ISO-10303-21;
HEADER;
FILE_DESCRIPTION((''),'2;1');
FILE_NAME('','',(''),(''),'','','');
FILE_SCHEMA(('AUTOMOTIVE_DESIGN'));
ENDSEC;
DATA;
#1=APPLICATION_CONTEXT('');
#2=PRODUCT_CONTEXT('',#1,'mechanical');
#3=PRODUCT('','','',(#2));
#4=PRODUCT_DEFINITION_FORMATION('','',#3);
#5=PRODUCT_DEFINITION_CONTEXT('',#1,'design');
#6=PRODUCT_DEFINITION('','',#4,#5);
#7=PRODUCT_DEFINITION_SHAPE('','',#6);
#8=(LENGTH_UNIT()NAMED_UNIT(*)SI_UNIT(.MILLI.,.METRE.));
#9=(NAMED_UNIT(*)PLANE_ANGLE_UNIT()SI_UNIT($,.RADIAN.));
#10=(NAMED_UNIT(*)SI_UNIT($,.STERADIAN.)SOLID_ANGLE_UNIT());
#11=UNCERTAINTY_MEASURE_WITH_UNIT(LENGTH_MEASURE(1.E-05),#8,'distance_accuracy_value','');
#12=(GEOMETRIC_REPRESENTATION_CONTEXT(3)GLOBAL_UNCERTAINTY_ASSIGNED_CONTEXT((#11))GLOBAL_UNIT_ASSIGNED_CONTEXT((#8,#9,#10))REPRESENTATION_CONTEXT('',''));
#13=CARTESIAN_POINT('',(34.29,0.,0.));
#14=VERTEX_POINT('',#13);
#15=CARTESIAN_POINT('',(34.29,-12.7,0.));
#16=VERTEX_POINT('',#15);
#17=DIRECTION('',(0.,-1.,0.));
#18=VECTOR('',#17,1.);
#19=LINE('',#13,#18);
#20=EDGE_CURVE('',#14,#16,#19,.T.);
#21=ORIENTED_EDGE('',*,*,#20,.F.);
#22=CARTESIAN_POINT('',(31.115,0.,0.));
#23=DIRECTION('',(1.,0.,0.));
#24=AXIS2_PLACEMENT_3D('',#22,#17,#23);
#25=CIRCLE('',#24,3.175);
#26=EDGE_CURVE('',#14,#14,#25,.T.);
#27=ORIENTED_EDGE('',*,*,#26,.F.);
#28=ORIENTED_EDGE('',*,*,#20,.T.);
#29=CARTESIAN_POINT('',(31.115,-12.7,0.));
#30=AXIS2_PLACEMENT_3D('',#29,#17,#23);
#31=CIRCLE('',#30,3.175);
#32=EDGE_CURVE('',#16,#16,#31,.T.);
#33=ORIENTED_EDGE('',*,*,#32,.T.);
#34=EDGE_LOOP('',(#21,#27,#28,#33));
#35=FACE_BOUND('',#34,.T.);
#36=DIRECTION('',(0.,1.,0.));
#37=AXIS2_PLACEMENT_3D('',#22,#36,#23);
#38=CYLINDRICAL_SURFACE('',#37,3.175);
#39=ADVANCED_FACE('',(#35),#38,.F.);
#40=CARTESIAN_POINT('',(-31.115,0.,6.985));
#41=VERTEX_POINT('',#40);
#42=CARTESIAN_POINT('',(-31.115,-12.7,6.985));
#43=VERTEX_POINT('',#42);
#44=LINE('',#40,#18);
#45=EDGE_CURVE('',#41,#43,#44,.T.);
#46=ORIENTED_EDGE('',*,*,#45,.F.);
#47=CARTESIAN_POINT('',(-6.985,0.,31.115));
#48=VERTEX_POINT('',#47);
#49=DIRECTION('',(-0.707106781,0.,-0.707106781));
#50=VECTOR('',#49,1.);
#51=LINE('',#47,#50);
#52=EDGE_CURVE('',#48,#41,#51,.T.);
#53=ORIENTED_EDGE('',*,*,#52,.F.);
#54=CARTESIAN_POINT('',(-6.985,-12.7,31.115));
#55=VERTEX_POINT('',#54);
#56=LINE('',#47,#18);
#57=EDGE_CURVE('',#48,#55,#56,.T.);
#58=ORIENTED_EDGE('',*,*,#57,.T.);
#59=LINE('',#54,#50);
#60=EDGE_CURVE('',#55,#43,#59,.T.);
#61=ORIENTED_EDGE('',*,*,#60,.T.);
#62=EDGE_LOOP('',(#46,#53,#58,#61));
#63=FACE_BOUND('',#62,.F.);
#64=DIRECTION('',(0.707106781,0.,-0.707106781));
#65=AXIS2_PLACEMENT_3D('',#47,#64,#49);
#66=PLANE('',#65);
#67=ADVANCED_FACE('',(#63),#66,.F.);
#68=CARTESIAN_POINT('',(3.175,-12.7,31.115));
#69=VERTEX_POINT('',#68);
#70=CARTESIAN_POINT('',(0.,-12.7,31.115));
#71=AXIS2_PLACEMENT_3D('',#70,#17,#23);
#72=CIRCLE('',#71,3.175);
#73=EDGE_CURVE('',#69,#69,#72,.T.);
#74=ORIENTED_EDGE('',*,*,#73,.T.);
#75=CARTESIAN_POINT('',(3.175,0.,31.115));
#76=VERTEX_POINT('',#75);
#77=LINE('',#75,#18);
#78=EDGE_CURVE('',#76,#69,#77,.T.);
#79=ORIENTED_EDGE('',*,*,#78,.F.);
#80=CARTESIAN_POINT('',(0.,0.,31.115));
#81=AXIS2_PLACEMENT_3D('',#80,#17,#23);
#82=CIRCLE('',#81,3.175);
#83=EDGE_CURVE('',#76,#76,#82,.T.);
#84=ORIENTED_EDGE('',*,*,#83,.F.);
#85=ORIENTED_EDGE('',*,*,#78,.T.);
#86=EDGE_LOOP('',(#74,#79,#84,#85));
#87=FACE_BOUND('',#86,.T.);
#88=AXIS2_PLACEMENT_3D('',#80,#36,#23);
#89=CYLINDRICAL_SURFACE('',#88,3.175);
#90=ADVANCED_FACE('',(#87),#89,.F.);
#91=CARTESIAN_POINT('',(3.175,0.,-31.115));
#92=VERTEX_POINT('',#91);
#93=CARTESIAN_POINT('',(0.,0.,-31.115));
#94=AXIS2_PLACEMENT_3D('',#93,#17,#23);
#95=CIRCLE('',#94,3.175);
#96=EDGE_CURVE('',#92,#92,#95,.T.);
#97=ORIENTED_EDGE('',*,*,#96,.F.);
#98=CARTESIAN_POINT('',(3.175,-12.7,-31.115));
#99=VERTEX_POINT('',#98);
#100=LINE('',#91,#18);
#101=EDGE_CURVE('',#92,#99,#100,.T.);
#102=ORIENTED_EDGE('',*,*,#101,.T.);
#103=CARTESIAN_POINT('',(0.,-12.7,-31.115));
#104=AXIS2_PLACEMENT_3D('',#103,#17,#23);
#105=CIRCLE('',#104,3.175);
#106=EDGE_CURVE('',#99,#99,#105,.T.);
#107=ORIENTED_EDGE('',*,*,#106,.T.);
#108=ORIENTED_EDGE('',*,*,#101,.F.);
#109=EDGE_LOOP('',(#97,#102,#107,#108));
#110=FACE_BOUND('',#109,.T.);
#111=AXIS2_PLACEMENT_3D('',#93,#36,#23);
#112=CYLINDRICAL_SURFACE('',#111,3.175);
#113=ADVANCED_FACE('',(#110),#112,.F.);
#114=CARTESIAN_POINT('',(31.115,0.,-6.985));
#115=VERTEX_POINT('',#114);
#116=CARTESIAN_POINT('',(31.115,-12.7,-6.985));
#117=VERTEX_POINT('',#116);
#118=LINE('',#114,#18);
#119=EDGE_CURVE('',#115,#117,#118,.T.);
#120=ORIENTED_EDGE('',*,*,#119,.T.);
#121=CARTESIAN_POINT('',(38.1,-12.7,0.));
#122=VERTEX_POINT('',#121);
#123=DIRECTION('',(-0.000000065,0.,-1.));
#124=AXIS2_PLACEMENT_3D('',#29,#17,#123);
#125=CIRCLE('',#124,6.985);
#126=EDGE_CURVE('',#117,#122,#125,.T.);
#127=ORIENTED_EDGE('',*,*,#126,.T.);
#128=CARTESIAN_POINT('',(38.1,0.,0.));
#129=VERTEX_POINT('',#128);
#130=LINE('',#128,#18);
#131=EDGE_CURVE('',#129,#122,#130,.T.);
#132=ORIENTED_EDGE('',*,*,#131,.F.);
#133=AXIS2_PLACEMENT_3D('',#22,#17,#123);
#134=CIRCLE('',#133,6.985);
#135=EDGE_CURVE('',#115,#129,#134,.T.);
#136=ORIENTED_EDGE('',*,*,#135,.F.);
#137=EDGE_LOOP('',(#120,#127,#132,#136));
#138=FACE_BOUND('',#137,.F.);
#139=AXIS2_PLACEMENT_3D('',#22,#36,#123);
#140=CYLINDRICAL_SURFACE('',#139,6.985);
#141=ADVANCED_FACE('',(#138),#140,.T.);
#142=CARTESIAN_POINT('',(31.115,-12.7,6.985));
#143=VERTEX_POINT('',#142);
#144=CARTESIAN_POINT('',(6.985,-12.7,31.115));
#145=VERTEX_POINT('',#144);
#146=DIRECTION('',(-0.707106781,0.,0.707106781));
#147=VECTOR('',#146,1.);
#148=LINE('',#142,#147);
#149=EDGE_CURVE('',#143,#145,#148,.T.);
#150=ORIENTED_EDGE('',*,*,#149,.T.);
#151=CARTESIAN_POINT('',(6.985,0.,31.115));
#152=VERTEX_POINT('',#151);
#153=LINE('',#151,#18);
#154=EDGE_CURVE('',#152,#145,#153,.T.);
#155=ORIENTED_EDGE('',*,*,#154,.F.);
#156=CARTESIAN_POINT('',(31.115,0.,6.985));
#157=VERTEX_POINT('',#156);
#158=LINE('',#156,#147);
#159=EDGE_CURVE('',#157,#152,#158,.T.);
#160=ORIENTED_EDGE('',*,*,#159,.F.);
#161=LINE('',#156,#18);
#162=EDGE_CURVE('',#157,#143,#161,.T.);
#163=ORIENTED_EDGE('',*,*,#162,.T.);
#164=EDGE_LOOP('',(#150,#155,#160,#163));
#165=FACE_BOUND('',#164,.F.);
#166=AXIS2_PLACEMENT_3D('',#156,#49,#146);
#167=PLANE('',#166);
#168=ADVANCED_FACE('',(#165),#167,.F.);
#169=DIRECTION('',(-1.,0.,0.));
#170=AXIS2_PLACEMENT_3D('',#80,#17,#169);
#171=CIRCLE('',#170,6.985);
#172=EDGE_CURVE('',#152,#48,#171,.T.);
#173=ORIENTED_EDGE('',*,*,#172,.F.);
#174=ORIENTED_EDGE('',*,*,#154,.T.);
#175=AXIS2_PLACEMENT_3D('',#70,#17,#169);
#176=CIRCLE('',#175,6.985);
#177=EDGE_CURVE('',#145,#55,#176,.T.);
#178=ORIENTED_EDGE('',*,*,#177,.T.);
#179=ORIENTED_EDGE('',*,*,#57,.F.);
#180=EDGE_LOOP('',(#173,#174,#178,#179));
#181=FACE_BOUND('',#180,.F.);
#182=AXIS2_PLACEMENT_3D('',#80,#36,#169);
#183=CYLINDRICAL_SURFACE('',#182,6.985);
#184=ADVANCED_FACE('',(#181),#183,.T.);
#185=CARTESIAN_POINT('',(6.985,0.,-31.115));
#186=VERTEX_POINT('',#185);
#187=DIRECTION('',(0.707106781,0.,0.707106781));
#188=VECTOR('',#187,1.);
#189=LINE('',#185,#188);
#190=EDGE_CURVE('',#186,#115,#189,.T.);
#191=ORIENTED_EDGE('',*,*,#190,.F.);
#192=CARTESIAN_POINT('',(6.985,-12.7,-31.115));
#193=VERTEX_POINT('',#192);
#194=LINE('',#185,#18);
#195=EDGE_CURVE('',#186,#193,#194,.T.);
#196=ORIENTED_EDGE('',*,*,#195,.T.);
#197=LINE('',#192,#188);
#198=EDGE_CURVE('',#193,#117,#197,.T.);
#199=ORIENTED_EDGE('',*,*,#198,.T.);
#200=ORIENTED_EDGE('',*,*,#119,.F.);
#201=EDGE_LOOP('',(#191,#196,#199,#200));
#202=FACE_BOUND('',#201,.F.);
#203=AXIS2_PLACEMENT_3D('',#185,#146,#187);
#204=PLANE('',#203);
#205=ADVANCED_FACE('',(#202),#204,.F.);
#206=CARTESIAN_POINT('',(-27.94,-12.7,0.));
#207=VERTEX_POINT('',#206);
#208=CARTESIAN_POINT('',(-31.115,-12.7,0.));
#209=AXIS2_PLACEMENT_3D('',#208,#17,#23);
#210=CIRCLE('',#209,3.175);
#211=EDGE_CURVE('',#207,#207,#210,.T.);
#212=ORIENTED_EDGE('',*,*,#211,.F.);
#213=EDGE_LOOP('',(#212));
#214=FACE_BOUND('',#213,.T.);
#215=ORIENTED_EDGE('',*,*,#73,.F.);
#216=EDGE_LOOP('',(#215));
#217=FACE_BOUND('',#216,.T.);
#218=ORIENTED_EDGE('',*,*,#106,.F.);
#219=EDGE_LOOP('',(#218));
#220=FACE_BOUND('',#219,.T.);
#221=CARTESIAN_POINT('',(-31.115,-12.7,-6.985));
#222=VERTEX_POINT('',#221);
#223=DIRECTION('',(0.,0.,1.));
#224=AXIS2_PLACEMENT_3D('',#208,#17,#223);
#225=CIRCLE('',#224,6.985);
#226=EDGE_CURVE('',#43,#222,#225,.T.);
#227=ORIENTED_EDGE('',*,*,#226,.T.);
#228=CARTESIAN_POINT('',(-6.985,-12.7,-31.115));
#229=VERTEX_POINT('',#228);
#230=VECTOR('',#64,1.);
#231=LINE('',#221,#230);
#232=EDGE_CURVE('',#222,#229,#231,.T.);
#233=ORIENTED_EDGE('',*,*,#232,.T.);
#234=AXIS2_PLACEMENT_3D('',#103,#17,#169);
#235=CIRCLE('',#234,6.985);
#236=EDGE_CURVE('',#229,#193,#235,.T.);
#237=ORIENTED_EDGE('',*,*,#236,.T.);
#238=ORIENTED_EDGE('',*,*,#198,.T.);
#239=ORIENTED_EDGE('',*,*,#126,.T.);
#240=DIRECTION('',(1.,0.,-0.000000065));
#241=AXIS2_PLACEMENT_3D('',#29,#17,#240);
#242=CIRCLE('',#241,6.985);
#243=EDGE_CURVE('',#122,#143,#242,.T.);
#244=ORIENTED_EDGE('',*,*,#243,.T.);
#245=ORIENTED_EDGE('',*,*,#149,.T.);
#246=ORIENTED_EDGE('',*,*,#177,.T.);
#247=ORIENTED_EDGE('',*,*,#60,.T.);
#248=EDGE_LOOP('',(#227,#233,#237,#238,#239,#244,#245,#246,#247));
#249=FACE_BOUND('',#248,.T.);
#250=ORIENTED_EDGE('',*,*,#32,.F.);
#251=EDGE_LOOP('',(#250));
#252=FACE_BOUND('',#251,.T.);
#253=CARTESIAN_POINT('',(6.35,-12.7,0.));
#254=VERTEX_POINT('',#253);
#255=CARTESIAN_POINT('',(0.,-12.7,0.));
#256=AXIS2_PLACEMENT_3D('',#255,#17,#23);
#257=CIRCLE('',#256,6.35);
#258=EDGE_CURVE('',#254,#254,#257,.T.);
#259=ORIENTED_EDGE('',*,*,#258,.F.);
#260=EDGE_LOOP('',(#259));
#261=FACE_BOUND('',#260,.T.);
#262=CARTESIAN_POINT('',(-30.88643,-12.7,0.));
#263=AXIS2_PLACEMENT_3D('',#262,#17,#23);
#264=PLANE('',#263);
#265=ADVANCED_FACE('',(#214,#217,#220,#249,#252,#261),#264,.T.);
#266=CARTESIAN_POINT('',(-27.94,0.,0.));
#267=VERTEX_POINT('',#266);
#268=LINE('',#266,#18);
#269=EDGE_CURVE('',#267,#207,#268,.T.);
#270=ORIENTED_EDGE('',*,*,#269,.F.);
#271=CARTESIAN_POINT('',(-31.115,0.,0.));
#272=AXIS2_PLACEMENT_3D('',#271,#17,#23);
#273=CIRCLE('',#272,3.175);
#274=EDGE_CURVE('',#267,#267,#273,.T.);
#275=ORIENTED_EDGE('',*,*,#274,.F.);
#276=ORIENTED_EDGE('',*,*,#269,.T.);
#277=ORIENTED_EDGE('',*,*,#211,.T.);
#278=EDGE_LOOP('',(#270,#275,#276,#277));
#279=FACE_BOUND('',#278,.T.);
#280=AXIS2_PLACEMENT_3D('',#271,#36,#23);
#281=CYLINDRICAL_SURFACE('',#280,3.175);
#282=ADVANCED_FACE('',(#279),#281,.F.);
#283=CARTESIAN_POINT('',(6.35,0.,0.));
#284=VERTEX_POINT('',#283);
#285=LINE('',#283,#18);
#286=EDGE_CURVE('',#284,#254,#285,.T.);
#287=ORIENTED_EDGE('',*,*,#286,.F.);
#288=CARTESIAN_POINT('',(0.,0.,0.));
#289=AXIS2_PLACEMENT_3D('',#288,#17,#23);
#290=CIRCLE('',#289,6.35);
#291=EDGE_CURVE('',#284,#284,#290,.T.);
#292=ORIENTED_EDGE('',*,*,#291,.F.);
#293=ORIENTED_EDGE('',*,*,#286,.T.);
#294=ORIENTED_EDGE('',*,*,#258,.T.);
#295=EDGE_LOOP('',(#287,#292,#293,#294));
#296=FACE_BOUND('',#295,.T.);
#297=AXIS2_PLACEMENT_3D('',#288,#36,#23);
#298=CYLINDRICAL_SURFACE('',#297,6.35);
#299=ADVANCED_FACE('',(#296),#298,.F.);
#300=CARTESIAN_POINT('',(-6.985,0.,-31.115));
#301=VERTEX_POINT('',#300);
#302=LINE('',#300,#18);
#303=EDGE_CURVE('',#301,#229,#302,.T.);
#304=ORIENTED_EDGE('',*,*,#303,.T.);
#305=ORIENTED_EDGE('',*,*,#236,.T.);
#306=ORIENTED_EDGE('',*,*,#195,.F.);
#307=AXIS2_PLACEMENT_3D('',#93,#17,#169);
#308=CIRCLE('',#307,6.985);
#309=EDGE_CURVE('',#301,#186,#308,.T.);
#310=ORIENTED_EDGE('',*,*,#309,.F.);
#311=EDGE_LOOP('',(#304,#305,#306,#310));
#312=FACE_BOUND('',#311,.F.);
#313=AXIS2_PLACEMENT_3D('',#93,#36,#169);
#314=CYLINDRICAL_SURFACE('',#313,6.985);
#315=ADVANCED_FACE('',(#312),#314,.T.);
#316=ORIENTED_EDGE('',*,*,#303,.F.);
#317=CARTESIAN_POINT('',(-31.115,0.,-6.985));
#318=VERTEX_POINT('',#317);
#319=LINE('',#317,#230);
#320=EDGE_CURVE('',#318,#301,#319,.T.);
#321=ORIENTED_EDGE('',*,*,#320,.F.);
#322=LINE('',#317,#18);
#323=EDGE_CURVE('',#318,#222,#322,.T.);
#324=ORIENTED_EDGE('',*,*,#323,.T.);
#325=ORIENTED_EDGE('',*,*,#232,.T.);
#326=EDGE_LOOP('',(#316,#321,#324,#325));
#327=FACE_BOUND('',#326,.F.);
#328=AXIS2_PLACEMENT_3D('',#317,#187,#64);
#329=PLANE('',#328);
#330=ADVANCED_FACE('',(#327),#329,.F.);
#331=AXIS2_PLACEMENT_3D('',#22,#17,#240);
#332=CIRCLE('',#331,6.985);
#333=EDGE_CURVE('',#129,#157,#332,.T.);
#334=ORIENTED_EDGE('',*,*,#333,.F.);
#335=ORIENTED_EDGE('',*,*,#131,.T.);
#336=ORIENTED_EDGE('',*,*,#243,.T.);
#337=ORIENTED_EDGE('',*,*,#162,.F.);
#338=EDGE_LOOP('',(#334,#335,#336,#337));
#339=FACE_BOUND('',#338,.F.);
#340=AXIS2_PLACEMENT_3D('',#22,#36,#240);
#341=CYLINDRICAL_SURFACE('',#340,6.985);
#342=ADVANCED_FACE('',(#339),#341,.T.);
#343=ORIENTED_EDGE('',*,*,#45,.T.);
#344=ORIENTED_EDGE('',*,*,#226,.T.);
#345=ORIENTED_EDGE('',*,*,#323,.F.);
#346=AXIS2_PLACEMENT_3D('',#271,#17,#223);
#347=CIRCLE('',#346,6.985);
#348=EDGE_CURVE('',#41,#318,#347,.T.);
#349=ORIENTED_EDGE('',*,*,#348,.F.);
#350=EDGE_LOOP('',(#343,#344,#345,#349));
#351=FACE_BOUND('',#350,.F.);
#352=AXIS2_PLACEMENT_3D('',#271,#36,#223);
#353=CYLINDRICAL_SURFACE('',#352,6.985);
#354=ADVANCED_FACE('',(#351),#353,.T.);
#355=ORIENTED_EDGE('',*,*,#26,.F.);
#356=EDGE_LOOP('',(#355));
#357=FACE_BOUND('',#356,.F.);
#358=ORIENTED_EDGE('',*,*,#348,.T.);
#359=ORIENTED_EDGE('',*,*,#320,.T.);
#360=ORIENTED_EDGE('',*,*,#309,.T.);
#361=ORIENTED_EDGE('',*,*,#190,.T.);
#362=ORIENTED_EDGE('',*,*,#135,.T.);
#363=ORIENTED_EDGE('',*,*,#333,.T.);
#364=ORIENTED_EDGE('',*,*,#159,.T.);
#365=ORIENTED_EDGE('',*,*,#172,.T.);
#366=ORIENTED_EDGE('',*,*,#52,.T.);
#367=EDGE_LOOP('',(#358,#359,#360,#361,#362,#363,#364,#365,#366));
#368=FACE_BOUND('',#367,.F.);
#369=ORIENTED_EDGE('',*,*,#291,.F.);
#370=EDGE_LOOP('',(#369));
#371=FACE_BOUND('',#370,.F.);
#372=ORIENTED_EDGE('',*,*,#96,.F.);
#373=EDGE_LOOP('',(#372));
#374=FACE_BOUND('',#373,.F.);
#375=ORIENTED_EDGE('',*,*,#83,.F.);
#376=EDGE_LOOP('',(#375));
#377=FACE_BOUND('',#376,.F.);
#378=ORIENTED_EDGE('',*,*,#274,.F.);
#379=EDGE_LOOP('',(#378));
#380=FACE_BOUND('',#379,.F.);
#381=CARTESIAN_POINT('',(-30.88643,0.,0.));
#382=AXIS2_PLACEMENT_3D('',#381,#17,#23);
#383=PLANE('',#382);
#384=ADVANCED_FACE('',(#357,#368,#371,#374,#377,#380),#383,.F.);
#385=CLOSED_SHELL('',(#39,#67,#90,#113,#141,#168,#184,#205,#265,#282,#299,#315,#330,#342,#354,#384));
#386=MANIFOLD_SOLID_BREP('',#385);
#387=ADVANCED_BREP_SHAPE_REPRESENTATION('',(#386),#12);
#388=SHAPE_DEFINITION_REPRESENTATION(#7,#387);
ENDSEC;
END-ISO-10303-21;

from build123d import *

# Parameters (mm, degrees)
F0_R     = 3.175
F0_R_2   = 12.7
F0_R_3   = 6.35
F1_DEPTH = 12.7


with BuildPart() as f1:
    # F0 (on Front) → F1 (new body)
    with BuildSketch(Plane.XZ):
        with BuildLine():
            ThreePointArc((-31.115, -6.985), (-26.175859, -4.939141), (-24.13, 0))
            ThreePointArc((-24.13, 0), (-26.175859, 4.939141), (-31.115, 6.985))
            ThreePointArc((-31.115, 6.985), (-38.1, 0), (-31.115, -6.985))
        make_face()
        with Locations((-31.115, 0)):
            Circle(F0_R, mode=Mode.SUBTRACT)
        with BuildLine():
            ThreePointArc((-31.115, 6.985), (-26.175859, 4.939141), (-24.13, 0))
            ThreePointArc((-24.13, 0), (-26.175859, -4.939141), (-31.115, -6.985))
            Line((-31.115, -6.985), (-6.985, -31.115))
            ThreePointArc((-6.985, -31.115), (0, -24.13), (6.985, -31.115))
            Line((6.985, -31.115), (31.115, -6.985))
            ThreePointArc((31.115, -6.985), (24.13, 0), (31.115, 6.985))
            Line((31.115, 6.985), (6.985, 31.115))
            ThreePointArc((6.985, 31.115), (0, 24.13), (-6.985, 31.115))
            Line((-6.985, 31.115), (-31.115, 6.985))
        make_face()
        Circle(F0_R_2, mode=Mode.SUBTRACT)
        with BuildLine():
            ThreePointArc((6.985, 31.115), (0, 38.1), (-6.985, 31.115))
            ThreePointArc((-6.985, 31.115), (0, 24.13), (6.985, 31.115))
        make_face()
        with Locations((0, 31.115)):
            Circle(F0_R, mode=Mode.SUBTRACT)
        with BuildLine():
            ThreePointArc((6.985, -31.115), (0, -24.13), (-6.985, -31.115))
            ThreePointArc((-6.985, -31.115), (0, -38.1), (6.985, -31.115))
        make_face()
        with Locations((0, -31.115)):
            Circle(F0_R, mode=Mode.SUBTRACT)
        with BuildLine():
            ThreePointArc((38.1, 0), (36.054141, 4.939141), (31.115, 6.985))
            ThreePointArc((31.115, 6.985), (24.13, 0), (31.115, -6.985))
            ThreePointArc((31.115, -6.985), (36.054141, -4.939141), (38.1, 0))
        make_face()
        with Locations((31.115, 0)):
            Circle(F0_R, mode=Mode.SUBTRACT)
        Circle(F0_R_2)
        Circle(F0_R_3, mode=Mode.SUBTRACT)
    extrude(amount=F1_DEPTH)


solid = f1.part
